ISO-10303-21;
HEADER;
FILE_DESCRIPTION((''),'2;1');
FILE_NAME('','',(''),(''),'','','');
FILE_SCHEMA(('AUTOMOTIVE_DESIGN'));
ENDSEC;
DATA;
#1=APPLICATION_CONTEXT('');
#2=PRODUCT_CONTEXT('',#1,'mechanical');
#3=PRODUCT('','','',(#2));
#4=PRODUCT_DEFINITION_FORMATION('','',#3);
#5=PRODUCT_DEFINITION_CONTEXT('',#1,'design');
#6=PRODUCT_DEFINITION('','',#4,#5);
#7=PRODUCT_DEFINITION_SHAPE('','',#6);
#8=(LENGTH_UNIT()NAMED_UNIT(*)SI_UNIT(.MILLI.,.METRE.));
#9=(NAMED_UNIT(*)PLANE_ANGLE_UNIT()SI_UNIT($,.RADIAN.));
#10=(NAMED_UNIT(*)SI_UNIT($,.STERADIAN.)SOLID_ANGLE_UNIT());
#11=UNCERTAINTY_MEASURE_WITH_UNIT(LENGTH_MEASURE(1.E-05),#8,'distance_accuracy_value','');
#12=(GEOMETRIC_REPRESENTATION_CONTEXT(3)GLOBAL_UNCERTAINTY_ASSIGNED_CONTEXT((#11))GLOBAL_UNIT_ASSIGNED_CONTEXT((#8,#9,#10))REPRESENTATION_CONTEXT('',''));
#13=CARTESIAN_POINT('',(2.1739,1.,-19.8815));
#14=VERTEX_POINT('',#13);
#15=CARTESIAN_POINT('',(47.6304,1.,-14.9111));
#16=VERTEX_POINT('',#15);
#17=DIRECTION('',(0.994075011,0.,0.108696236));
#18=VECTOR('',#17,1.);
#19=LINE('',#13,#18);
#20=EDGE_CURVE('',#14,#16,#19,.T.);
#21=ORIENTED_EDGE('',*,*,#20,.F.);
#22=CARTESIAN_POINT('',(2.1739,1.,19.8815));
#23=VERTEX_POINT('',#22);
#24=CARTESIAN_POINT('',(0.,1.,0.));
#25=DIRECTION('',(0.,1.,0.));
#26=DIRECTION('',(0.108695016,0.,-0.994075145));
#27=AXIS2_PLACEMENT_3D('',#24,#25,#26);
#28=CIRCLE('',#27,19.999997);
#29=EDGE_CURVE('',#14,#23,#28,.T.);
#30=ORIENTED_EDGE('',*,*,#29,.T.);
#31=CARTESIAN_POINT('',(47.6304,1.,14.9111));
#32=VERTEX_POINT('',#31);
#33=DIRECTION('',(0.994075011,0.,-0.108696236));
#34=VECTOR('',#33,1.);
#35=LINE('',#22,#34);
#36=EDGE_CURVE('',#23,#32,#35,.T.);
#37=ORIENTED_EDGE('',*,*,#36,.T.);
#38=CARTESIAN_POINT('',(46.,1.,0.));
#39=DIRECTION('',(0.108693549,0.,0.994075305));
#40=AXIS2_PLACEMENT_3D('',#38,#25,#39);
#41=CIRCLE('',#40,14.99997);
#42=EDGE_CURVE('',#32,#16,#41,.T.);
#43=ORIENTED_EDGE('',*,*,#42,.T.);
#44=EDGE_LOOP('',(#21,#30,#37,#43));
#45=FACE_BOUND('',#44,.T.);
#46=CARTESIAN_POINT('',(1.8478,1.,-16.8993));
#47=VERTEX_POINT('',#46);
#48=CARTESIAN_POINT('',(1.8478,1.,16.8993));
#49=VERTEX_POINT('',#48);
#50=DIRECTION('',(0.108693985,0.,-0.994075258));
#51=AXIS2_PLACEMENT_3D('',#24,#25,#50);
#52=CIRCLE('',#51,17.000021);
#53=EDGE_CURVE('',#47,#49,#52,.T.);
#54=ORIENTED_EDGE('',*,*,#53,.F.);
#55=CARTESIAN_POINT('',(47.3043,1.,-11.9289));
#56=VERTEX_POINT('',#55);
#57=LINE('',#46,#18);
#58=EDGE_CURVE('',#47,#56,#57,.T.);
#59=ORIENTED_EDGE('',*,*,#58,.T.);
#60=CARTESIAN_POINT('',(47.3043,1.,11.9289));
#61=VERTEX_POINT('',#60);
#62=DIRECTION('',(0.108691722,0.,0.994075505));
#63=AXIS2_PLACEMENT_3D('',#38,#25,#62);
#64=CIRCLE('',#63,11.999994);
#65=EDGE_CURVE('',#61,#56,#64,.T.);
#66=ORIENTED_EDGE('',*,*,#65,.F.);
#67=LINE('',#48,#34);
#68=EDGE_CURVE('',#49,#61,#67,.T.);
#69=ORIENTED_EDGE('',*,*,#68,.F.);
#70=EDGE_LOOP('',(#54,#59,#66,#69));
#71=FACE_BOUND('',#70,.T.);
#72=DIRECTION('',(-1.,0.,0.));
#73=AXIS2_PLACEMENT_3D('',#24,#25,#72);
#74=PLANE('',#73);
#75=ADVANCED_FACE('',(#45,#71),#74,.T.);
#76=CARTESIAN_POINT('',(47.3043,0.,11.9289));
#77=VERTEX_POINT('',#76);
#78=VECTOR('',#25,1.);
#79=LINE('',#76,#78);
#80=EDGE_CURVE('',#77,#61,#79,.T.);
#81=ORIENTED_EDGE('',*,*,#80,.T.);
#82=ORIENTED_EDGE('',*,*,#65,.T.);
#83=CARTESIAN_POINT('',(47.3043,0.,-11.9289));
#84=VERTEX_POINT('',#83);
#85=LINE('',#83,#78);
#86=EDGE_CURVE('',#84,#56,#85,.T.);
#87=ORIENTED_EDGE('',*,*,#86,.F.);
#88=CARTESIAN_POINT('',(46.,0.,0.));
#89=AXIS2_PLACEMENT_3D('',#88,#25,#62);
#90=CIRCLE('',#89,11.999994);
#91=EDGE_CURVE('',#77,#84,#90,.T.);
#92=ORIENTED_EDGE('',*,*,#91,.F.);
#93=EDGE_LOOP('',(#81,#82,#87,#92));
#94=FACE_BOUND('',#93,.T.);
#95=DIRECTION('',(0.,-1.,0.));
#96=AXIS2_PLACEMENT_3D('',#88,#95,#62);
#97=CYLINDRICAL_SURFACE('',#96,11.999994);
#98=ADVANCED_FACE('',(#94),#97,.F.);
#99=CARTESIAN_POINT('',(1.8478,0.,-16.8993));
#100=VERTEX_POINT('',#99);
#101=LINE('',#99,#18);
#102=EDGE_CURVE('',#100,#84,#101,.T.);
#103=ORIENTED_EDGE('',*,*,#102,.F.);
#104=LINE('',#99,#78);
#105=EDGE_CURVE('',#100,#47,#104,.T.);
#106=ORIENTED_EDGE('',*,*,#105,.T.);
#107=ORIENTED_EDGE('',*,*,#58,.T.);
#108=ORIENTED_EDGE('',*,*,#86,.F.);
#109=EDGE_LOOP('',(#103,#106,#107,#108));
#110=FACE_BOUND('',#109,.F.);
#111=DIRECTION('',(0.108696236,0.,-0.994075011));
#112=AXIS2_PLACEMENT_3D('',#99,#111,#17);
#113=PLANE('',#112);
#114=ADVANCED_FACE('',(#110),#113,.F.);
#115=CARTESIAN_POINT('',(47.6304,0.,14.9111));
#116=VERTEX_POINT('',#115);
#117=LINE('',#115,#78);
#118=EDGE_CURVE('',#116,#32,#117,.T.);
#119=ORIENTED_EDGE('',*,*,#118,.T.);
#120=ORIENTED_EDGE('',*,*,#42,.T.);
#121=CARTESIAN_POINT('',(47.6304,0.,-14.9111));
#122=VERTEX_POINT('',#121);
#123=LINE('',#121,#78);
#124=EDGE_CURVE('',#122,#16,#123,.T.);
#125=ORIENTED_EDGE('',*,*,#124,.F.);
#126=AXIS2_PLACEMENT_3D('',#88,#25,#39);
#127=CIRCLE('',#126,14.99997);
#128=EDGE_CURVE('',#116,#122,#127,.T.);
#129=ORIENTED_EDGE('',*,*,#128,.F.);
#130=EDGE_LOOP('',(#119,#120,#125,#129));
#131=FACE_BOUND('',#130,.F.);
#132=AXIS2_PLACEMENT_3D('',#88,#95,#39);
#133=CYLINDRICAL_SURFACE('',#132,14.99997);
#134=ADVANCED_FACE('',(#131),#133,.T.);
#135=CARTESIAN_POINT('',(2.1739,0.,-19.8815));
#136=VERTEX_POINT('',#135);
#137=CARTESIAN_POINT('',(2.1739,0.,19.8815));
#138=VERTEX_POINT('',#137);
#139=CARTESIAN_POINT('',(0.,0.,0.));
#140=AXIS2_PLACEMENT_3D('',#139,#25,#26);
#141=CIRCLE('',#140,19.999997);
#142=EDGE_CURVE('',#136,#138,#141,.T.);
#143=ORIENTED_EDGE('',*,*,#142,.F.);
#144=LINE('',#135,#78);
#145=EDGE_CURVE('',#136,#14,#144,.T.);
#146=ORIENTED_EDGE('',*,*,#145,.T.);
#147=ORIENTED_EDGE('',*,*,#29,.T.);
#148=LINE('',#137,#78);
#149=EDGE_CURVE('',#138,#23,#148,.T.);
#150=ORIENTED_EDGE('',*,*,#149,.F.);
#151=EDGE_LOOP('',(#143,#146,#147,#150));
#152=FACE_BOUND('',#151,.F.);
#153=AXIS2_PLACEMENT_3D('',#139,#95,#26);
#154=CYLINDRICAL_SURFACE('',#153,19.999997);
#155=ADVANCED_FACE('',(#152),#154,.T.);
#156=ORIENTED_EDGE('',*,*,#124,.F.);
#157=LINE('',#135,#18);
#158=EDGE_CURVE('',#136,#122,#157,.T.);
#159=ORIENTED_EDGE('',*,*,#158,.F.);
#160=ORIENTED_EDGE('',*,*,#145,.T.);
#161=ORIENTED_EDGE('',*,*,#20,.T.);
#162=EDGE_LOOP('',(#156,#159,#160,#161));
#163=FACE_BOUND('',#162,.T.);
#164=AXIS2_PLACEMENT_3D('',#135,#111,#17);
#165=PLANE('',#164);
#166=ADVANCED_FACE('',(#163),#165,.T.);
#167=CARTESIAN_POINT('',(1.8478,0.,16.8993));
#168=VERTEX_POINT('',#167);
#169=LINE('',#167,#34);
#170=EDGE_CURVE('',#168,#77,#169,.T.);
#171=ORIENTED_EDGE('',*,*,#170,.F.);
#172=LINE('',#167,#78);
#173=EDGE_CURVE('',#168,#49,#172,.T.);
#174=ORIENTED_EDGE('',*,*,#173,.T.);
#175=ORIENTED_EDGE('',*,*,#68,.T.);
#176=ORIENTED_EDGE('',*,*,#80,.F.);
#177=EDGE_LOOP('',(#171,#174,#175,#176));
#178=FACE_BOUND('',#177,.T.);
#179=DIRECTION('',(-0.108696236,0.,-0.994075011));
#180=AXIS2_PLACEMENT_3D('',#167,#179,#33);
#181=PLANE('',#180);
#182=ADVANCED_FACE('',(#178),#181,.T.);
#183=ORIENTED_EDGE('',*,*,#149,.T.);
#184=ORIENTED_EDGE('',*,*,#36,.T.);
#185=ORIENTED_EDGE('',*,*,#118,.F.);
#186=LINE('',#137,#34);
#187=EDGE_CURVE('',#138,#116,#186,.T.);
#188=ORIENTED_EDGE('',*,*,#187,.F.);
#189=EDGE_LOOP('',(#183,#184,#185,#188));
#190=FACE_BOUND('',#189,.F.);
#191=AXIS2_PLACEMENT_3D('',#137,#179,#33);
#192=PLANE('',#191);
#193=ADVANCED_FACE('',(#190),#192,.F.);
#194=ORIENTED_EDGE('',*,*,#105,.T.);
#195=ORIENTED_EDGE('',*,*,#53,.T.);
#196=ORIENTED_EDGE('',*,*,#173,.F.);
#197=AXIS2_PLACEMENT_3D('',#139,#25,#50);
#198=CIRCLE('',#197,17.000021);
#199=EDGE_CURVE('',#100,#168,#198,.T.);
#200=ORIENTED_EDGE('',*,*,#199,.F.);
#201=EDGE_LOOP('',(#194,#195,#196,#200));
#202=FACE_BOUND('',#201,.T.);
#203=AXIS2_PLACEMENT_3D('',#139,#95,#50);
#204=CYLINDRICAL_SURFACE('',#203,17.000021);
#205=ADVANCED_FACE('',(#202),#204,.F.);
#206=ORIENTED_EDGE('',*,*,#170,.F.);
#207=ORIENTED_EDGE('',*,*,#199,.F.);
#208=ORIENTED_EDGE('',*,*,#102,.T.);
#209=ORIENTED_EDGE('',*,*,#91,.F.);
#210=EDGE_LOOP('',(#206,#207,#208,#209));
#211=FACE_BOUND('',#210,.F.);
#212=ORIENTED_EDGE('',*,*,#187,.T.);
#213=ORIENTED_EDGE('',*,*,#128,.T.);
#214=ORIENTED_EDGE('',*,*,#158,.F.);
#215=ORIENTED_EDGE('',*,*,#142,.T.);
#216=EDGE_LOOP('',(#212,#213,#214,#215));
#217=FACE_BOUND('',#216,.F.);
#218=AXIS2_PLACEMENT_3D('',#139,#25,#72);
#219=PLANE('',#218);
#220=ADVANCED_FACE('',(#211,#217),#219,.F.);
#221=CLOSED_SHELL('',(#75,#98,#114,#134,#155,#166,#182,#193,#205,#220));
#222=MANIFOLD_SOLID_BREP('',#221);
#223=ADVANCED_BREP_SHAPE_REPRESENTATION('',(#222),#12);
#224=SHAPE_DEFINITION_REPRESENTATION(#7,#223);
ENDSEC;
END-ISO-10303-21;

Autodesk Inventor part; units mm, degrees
ref_plane "YZ Plane" through (0, 0, 0) normal (1, 0, 0) x (0, 1, 0)
ref_plane "XZ Plane" through (0, 0, 0) normal (0, 1, 0) x (-1, 0, 0)
ref_plane "XY Plane" through (0, 0, 0) normal (0, 0, 1) x (1, 0, 0)
sketch "Skizze1" plane through (0, 0, 0) normal (0, 1, 0) x (-1, 0, 0)
  arc A0 (-2.1739, -19.8815) -> (-2.1739, 19.8815) centre (0, 0) ccw
  arc A1 (-47.6304, 14.9111) -> (-47.6304, -14.9111) centre (-46, 0) ccw
  line L0 (-2.1739, 19.8815) -> (-47.6304, 14.9111)
  line L1 (-2.1739, -19.8815) -> (-47.6304, -14.9111)
  line L2 (45.0235, 0) -> (-115.148, 0) construction
  arc A2 (-1.8478, -16.8993) -> (-1.8478, 16.8993) centre (0, 0) ccw
  arc A3 (-47.3043, 11.9289) -> (-47.3043, -11.9289) centre (-46, 0) ccw
  line L3 (-1.8478, 16.8993) -> (-47.3043, 11.9289)
  line L4 (-1.8478, -16.8993) -> (-47.3043, -11.9289)
  dimension "d0" = 40
  dimension "d1" = 30
  dimension "d2" = 46
  dimension "d3" = 3
  dimension "d4" = 3
extrude "Extrusion1" add sketch "Skizze1" along normal blind 1
properties part number "Dichtungsgummi"
